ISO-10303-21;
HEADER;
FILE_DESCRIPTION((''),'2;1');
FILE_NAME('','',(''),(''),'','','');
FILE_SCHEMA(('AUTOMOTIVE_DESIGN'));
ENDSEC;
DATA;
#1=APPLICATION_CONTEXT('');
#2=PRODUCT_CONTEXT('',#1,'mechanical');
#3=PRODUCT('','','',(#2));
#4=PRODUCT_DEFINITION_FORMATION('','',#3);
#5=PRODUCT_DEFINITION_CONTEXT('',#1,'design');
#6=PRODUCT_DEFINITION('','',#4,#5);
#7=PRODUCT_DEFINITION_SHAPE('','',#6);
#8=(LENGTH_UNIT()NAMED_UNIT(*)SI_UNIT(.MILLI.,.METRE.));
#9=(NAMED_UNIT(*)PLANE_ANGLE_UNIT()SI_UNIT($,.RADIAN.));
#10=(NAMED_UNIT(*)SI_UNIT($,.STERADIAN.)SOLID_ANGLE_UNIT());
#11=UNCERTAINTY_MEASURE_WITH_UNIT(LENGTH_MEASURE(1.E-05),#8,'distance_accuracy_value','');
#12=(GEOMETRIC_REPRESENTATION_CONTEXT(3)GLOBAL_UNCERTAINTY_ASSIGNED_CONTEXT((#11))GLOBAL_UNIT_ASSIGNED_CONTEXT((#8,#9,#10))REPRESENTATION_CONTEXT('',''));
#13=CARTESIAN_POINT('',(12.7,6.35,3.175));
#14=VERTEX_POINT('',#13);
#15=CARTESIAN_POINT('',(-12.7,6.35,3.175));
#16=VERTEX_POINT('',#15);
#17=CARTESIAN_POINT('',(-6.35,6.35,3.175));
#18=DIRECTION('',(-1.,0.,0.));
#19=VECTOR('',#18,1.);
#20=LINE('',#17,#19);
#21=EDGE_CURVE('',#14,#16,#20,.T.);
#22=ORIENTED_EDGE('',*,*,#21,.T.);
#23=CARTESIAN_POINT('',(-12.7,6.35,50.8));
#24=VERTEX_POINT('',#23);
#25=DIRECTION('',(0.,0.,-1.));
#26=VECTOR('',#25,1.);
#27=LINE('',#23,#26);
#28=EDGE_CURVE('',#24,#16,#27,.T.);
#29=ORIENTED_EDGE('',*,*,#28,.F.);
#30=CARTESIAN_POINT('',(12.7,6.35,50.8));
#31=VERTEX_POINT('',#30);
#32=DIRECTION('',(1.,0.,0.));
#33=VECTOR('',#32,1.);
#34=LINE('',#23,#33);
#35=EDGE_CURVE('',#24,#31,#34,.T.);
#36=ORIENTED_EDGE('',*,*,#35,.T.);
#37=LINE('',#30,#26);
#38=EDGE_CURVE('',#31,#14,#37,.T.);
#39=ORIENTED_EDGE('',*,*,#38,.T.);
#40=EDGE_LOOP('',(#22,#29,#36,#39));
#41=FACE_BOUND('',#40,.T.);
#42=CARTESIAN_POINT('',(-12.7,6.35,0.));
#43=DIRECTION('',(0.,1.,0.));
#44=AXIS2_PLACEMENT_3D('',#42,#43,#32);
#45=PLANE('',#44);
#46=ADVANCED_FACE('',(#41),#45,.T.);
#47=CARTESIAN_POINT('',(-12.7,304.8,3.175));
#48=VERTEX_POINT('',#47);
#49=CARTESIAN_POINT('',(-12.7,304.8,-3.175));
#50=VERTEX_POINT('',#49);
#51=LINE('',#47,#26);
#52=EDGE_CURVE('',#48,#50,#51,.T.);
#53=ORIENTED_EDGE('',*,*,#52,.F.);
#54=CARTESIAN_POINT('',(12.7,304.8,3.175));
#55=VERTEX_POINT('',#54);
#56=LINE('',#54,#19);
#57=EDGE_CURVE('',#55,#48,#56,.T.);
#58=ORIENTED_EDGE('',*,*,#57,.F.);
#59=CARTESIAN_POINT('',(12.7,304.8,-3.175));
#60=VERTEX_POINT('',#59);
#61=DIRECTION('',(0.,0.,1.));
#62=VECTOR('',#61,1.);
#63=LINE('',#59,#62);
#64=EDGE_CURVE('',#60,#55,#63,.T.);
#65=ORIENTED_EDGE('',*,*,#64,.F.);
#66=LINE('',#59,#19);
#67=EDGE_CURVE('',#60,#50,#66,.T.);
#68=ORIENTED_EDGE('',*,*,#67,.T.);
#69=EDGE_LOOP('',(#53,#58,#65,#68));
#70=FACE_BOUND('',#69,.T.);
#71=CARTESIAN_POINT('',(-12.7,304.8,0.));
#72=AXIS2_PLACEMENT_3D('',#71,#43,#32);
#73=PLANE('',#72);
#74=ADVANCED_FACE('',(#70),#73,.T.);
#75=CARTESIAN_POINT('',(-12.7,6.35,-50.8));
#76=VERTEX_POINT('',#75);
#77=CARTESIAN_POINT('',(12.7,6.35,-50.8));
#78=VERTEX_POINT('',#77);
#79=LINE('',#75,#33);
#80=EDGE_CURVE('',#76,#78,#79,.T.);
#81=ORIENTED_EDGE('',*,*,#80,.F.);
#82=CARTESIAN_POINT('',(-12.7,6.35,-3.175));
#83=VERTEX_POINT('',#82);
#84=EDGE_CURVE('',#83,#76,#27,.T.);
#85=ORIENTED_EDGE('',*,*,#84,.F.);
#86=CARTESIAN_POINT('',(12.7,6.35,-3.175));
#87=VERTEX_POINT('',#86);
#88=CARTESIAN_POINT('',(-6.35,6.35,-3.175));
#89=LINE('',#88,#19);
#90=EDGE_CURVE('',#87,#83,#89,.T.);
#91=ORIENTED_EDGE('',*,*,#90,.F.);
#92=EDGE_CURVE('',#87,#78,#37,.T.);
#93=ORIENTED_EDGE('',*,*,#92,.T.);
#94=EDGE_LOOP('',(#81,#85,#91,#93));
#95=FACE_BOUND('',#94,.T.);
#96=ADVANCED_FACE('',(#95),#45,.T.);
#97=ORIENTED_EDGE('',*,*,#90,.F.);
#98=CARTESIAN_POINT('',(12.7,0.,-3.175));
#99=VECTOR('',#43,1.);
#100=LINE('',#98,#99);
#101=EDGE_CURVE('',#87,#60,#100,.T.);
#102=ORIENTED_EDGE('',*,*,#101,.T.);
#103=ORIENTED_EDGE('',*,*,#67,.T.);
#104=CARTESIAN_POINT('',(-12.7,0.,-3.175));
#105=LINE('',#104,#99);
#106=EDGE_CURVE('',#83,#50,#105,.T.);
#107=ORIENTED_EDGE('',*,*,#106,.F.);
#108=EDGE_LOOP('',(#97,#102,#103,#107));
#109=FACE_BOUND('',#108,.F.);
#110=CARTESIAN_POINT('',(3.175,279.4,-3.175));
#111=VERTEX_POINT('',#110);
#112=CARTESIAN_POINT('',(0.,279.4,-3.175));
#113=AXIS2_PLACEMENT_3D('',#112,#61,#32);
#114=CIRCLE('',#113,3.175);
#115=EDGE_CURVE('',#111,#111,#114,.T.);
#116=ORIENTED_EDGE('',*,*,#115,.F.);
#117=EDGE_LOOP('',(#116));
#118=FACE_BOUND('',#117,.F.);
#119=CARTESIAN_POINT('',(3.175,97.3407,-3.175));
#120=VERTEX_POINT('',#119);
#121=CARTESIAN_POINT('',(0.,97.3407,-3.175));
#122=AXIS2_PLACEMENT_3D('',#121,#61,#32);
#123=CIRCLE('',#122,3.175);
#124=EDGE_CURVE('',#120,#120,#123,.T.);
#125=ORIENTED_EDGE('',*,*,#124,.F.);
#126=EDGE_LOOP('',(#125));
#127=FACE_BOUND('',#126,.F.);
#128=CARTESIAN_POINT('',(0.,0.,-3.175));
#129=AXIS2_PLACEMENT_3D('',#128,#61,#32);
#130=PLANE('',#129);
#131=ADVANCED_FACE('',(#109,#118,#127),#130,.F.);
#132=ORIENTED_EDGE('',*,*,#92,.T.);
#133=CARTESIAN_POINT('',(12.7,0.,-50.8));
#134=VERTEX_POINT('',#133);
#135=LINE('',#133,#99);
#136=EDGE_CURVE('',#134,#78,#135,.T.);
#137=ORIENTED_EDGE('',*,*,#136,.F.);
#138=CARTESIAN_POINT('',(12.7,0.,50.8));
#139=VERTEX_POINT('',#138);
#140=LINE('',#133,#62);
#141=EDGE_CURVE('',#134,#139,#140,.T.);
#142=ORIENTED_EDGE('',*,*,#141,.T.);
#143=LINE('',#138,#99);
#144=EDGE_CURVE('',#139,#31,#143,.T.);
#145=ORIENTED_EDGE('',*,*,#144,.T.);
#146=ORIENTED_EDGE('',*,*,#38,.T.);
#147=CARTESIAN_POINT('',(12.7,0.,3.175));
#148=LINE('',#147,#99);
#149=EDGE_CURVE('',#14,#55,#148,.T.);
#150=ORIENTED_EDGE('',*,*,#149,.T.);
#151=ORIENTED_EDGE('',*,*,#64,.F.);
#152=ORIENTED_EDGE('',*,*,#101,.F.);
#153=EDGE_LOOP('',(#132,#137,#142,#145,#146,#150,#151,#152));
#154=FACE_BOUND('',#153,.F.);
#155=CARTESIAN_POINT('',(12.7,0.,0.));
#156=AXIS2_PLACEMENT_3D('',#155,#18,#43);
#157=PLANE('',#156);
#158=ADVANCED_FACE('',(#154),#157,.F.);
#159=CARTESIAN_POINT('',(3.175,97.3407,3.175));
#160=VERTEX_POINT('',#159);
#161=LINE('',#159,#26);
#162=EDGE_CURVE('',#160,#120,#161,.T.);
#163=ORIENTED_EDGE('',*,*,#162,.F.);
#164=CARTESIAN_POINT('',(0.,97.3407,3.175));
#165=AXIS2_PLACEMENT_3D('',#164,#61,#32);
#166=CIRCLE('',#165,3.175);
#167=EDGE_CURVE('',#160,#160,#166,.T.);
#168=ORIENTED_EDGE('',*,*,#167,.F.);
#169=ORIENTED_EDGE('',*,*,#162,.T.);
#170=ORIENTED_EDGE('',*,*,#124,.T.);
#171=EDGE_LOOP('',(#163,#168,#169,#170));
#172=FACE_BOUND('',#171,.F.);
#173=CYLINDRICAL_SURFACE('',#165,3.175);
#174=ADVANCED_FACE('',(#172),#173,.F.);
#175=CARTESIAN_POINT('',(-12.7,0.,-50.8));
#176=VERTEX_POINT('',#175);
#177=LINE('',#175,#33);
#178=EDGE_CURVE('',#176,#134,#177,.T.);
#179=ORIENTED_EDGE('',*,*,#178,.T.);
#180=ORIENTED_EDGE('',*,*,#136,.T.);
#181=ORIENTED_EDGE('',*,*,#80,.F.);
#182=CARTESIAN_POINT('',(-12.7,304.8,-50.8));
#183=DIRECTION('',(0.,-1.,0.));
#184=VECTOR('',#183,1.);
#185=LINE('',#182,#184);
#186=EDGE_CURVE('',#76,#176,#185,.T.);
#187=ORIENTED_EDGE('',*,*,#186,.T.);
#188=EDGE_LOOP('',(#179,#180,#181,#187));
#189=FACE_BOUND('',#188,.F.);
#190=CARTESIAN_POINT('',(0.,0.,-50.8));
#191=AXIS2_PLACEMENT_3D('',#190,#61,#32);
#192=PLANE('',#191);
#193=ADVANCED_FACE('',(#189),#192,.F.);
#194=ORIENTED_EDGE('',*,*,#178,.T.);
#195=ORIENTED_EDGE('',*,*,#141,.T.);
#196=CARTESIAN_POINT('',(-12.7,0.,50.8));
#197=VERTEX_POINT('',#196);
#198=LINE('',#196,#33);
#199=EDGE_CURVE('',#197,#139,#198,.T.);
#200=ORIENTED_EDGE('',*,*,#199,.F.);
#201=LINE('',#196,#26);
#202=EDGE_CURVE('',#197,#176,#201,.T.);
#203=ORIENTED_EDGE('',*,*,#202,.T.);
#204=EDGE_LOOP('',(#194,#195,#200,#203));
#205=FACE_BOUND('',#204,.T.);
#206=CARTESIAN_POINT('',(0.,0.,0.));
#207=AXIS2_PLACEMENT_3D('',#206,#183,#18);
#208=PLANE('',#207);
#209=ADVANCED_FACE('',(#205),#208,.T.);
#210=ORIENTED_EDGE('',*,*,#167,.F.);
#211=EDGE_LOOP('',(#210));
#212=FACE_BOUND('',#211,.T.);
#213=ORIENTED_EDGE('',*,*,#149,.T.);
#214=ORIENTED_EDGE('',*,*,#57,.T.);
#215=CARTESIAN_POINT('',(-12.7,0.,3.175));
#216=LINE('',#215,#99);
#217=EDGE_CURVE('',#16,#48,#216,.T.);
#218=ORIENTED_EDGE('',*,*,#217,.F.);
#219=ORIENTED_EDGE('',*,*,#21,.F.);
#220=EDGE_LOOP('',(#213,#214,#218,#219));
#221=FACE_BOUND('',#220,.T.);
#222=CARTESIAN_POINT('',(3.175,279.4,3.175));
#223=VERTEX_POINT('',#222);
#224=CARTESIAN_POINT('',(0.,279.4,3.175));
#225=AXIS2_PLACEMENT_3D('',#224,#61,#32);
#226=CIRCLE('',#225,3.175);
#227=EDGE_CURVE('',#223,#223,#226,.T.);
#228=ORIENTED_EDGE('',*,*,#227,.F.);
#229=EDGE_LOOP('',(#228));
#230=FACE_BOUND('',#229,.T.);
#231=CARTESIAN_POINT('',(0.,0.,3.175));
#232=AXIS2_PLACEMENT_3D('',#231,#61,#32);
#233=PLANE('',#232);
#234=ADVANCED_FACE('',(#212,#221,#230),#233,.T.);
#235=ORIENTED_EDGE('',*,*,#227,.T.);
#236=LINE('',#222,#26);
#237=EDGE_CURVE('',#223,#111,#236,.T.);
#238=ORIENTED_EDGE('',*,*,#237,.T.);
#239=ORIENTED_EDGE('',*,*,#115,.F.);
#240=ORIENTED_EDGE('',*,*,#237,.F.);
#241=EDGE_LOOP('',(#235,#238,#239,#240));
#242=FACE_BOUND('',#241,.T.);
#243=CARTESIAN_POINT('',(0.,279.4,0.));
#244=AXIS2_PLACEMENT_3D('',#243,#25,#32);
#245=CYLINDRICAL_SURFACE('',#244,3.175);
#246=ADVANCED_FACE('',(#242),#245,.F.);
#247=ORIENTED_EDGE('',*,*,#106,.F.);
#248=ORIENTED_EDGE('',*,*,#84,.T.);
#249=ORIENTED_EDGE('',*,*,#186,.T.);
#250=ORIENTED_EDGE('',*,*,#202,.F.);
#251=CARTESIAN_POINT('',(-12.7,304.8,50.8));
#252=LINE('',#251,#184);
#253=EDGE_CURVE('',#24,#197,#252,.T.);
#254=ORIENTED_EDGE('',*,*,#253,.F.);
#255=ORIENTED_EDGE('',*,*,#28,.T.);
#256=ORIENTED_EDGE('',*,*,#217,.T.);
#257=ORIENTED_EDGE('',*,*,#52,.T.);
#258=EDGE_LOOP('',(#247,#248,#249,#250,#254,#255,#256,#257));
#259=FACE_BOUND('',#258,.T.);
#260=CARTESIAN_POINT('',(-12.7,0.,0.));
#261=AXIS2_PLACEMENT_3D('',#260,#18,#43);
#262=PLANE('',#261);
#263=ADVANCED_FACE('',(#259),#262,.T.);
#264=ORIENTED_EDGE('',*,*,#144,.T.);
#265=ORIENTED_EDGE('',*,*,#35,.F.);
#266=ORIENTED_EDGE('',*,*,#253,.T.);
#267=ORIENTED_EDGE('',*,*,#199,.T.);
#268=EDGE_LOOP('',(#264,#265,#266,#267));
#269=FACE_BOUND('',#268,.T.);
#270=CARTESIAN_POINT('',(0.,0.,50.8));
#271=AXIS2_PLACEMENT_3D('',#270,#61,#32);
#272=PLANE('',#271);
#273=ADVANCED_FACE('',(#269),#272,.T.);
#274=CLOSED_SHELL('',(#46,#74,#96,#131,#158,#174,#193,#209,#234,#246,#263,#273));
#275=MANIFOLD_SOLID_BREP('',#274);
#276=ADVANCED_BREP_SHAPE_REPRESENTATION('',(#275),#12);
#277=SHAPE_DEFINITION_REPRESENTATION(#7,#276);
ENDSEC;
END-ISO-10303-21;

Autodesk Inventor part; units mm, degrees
ref_plane "YZ Plane" through (0, 0, 0) normal (1, 0, 0) x (0, 1, 0)
ref_plane "XZ Plane" through (0, 0, 0) normal (0, 1, 0) x (-1, 0, 0)
ref_plane "XY Plane" through (0, 0, 0) normal (0, 0, 1) x (1, 0, 0)
sketch "Sketch1" plane through (0, 0, 0) normal (0, 0, 1) x (1, 0, 0)
  line L0 (0, 0) -> (12.7, 0)
  line L1 (12.7, 0) -> (12.7, 304.8)
  line L2 (12.7, 304.8) -> (0, 304.8)
  line L3 (0, 304.8) -> (0, 0) construction
  line L4 (0, 0) -> (-12.7, 0)
  line L5 (-12.7, 0) -> (-12.7, 304.8)
  line L6 (-12.7, 304.8) -> (0, 304.8)
  circle A0 centre (0, 279.4) radius 3.175
  dimension "d0" = 304.8
  dimension "d1" = 25.4
  dimension "d2" = 25.4
  dimension "d3" = 6.35
  dimension "d4" = 279.4
extrude "Extrusion1" add sketch "Sketch1" along normal mid plane 6.35
sketch "Sketch2" plane through (0, 0, 0) normal (0, 0, 1) x (1, 0, 0)
  line L0 (-12.7, 0) -> (12.7, 0) projected
  line L1 (-12.7, 0) -> (12.7, 0)
  line L2 (12.7, 0) -> (12.7, 6.35)
  line L3 (12.7, 0) -> (12.7, 304.8) projected
  line L4 (-12.7, 304.8) -> (-12.7, 0) projected
  line L5 (-12.7, 6.35) -> (-12.7, 0)
  line L6 (-12.7, 6.35) -> (12.7, 6.35)
  point P0 (0, 0)
  dimension "d7" = 6.35
extrude "Extrusion2" add sketch "Sketch2" along normal mid plane 101.6
sketch "Sketch3" plane through (0, 0, 3.175) normal (0, 0, 1) x (1, 0, 0)
  circle A0 centre (0, 97.3407) radius 3.175
  line L0 (-12.7, 0) -> (12.7, 0) projected
  point P0 (0, 0)
  dimension "d10" = 97.3407
  dimension "d11" = 6.35
extrude "Extrusion3" cut sketch "Sketch3" against normal through all
equation "\"d0\" = catapultSideHeight"
equation "\"d1\" = catapultSideWidth"
equation "\"d2\" = catapultTopWidth"
equation "\"d3\" = catpultSideHoleDiam"
equation "\"d4\" = catapultSideHoleHeight"
equation "\"d5\" = catapultSideDepth"
equation "\"d7\" = catapultSideDepth"
equation "\"d8\" = catapultSupportWidth"
equation "\"d11\" = catpultSideHoleDiam"
equation "\"catapultSideHeight\" = 304.8"
equation "\"catapultSideWidth\" = 25.4"
equation "\"catapultSideDepth\" = 6.35"
equation "\"catpultSideHoleDiam\" = 6.35"
equation "\"catapultTopWidth\" = 25.4"
equation "\"catapultSupportWidth\" = 101.6"
equation "\"catapultSupportPullyHeight\" = 127"
equation "\"catapultSideHoleHeight\" = 279.4"
properties part number "cPvcSupport"
